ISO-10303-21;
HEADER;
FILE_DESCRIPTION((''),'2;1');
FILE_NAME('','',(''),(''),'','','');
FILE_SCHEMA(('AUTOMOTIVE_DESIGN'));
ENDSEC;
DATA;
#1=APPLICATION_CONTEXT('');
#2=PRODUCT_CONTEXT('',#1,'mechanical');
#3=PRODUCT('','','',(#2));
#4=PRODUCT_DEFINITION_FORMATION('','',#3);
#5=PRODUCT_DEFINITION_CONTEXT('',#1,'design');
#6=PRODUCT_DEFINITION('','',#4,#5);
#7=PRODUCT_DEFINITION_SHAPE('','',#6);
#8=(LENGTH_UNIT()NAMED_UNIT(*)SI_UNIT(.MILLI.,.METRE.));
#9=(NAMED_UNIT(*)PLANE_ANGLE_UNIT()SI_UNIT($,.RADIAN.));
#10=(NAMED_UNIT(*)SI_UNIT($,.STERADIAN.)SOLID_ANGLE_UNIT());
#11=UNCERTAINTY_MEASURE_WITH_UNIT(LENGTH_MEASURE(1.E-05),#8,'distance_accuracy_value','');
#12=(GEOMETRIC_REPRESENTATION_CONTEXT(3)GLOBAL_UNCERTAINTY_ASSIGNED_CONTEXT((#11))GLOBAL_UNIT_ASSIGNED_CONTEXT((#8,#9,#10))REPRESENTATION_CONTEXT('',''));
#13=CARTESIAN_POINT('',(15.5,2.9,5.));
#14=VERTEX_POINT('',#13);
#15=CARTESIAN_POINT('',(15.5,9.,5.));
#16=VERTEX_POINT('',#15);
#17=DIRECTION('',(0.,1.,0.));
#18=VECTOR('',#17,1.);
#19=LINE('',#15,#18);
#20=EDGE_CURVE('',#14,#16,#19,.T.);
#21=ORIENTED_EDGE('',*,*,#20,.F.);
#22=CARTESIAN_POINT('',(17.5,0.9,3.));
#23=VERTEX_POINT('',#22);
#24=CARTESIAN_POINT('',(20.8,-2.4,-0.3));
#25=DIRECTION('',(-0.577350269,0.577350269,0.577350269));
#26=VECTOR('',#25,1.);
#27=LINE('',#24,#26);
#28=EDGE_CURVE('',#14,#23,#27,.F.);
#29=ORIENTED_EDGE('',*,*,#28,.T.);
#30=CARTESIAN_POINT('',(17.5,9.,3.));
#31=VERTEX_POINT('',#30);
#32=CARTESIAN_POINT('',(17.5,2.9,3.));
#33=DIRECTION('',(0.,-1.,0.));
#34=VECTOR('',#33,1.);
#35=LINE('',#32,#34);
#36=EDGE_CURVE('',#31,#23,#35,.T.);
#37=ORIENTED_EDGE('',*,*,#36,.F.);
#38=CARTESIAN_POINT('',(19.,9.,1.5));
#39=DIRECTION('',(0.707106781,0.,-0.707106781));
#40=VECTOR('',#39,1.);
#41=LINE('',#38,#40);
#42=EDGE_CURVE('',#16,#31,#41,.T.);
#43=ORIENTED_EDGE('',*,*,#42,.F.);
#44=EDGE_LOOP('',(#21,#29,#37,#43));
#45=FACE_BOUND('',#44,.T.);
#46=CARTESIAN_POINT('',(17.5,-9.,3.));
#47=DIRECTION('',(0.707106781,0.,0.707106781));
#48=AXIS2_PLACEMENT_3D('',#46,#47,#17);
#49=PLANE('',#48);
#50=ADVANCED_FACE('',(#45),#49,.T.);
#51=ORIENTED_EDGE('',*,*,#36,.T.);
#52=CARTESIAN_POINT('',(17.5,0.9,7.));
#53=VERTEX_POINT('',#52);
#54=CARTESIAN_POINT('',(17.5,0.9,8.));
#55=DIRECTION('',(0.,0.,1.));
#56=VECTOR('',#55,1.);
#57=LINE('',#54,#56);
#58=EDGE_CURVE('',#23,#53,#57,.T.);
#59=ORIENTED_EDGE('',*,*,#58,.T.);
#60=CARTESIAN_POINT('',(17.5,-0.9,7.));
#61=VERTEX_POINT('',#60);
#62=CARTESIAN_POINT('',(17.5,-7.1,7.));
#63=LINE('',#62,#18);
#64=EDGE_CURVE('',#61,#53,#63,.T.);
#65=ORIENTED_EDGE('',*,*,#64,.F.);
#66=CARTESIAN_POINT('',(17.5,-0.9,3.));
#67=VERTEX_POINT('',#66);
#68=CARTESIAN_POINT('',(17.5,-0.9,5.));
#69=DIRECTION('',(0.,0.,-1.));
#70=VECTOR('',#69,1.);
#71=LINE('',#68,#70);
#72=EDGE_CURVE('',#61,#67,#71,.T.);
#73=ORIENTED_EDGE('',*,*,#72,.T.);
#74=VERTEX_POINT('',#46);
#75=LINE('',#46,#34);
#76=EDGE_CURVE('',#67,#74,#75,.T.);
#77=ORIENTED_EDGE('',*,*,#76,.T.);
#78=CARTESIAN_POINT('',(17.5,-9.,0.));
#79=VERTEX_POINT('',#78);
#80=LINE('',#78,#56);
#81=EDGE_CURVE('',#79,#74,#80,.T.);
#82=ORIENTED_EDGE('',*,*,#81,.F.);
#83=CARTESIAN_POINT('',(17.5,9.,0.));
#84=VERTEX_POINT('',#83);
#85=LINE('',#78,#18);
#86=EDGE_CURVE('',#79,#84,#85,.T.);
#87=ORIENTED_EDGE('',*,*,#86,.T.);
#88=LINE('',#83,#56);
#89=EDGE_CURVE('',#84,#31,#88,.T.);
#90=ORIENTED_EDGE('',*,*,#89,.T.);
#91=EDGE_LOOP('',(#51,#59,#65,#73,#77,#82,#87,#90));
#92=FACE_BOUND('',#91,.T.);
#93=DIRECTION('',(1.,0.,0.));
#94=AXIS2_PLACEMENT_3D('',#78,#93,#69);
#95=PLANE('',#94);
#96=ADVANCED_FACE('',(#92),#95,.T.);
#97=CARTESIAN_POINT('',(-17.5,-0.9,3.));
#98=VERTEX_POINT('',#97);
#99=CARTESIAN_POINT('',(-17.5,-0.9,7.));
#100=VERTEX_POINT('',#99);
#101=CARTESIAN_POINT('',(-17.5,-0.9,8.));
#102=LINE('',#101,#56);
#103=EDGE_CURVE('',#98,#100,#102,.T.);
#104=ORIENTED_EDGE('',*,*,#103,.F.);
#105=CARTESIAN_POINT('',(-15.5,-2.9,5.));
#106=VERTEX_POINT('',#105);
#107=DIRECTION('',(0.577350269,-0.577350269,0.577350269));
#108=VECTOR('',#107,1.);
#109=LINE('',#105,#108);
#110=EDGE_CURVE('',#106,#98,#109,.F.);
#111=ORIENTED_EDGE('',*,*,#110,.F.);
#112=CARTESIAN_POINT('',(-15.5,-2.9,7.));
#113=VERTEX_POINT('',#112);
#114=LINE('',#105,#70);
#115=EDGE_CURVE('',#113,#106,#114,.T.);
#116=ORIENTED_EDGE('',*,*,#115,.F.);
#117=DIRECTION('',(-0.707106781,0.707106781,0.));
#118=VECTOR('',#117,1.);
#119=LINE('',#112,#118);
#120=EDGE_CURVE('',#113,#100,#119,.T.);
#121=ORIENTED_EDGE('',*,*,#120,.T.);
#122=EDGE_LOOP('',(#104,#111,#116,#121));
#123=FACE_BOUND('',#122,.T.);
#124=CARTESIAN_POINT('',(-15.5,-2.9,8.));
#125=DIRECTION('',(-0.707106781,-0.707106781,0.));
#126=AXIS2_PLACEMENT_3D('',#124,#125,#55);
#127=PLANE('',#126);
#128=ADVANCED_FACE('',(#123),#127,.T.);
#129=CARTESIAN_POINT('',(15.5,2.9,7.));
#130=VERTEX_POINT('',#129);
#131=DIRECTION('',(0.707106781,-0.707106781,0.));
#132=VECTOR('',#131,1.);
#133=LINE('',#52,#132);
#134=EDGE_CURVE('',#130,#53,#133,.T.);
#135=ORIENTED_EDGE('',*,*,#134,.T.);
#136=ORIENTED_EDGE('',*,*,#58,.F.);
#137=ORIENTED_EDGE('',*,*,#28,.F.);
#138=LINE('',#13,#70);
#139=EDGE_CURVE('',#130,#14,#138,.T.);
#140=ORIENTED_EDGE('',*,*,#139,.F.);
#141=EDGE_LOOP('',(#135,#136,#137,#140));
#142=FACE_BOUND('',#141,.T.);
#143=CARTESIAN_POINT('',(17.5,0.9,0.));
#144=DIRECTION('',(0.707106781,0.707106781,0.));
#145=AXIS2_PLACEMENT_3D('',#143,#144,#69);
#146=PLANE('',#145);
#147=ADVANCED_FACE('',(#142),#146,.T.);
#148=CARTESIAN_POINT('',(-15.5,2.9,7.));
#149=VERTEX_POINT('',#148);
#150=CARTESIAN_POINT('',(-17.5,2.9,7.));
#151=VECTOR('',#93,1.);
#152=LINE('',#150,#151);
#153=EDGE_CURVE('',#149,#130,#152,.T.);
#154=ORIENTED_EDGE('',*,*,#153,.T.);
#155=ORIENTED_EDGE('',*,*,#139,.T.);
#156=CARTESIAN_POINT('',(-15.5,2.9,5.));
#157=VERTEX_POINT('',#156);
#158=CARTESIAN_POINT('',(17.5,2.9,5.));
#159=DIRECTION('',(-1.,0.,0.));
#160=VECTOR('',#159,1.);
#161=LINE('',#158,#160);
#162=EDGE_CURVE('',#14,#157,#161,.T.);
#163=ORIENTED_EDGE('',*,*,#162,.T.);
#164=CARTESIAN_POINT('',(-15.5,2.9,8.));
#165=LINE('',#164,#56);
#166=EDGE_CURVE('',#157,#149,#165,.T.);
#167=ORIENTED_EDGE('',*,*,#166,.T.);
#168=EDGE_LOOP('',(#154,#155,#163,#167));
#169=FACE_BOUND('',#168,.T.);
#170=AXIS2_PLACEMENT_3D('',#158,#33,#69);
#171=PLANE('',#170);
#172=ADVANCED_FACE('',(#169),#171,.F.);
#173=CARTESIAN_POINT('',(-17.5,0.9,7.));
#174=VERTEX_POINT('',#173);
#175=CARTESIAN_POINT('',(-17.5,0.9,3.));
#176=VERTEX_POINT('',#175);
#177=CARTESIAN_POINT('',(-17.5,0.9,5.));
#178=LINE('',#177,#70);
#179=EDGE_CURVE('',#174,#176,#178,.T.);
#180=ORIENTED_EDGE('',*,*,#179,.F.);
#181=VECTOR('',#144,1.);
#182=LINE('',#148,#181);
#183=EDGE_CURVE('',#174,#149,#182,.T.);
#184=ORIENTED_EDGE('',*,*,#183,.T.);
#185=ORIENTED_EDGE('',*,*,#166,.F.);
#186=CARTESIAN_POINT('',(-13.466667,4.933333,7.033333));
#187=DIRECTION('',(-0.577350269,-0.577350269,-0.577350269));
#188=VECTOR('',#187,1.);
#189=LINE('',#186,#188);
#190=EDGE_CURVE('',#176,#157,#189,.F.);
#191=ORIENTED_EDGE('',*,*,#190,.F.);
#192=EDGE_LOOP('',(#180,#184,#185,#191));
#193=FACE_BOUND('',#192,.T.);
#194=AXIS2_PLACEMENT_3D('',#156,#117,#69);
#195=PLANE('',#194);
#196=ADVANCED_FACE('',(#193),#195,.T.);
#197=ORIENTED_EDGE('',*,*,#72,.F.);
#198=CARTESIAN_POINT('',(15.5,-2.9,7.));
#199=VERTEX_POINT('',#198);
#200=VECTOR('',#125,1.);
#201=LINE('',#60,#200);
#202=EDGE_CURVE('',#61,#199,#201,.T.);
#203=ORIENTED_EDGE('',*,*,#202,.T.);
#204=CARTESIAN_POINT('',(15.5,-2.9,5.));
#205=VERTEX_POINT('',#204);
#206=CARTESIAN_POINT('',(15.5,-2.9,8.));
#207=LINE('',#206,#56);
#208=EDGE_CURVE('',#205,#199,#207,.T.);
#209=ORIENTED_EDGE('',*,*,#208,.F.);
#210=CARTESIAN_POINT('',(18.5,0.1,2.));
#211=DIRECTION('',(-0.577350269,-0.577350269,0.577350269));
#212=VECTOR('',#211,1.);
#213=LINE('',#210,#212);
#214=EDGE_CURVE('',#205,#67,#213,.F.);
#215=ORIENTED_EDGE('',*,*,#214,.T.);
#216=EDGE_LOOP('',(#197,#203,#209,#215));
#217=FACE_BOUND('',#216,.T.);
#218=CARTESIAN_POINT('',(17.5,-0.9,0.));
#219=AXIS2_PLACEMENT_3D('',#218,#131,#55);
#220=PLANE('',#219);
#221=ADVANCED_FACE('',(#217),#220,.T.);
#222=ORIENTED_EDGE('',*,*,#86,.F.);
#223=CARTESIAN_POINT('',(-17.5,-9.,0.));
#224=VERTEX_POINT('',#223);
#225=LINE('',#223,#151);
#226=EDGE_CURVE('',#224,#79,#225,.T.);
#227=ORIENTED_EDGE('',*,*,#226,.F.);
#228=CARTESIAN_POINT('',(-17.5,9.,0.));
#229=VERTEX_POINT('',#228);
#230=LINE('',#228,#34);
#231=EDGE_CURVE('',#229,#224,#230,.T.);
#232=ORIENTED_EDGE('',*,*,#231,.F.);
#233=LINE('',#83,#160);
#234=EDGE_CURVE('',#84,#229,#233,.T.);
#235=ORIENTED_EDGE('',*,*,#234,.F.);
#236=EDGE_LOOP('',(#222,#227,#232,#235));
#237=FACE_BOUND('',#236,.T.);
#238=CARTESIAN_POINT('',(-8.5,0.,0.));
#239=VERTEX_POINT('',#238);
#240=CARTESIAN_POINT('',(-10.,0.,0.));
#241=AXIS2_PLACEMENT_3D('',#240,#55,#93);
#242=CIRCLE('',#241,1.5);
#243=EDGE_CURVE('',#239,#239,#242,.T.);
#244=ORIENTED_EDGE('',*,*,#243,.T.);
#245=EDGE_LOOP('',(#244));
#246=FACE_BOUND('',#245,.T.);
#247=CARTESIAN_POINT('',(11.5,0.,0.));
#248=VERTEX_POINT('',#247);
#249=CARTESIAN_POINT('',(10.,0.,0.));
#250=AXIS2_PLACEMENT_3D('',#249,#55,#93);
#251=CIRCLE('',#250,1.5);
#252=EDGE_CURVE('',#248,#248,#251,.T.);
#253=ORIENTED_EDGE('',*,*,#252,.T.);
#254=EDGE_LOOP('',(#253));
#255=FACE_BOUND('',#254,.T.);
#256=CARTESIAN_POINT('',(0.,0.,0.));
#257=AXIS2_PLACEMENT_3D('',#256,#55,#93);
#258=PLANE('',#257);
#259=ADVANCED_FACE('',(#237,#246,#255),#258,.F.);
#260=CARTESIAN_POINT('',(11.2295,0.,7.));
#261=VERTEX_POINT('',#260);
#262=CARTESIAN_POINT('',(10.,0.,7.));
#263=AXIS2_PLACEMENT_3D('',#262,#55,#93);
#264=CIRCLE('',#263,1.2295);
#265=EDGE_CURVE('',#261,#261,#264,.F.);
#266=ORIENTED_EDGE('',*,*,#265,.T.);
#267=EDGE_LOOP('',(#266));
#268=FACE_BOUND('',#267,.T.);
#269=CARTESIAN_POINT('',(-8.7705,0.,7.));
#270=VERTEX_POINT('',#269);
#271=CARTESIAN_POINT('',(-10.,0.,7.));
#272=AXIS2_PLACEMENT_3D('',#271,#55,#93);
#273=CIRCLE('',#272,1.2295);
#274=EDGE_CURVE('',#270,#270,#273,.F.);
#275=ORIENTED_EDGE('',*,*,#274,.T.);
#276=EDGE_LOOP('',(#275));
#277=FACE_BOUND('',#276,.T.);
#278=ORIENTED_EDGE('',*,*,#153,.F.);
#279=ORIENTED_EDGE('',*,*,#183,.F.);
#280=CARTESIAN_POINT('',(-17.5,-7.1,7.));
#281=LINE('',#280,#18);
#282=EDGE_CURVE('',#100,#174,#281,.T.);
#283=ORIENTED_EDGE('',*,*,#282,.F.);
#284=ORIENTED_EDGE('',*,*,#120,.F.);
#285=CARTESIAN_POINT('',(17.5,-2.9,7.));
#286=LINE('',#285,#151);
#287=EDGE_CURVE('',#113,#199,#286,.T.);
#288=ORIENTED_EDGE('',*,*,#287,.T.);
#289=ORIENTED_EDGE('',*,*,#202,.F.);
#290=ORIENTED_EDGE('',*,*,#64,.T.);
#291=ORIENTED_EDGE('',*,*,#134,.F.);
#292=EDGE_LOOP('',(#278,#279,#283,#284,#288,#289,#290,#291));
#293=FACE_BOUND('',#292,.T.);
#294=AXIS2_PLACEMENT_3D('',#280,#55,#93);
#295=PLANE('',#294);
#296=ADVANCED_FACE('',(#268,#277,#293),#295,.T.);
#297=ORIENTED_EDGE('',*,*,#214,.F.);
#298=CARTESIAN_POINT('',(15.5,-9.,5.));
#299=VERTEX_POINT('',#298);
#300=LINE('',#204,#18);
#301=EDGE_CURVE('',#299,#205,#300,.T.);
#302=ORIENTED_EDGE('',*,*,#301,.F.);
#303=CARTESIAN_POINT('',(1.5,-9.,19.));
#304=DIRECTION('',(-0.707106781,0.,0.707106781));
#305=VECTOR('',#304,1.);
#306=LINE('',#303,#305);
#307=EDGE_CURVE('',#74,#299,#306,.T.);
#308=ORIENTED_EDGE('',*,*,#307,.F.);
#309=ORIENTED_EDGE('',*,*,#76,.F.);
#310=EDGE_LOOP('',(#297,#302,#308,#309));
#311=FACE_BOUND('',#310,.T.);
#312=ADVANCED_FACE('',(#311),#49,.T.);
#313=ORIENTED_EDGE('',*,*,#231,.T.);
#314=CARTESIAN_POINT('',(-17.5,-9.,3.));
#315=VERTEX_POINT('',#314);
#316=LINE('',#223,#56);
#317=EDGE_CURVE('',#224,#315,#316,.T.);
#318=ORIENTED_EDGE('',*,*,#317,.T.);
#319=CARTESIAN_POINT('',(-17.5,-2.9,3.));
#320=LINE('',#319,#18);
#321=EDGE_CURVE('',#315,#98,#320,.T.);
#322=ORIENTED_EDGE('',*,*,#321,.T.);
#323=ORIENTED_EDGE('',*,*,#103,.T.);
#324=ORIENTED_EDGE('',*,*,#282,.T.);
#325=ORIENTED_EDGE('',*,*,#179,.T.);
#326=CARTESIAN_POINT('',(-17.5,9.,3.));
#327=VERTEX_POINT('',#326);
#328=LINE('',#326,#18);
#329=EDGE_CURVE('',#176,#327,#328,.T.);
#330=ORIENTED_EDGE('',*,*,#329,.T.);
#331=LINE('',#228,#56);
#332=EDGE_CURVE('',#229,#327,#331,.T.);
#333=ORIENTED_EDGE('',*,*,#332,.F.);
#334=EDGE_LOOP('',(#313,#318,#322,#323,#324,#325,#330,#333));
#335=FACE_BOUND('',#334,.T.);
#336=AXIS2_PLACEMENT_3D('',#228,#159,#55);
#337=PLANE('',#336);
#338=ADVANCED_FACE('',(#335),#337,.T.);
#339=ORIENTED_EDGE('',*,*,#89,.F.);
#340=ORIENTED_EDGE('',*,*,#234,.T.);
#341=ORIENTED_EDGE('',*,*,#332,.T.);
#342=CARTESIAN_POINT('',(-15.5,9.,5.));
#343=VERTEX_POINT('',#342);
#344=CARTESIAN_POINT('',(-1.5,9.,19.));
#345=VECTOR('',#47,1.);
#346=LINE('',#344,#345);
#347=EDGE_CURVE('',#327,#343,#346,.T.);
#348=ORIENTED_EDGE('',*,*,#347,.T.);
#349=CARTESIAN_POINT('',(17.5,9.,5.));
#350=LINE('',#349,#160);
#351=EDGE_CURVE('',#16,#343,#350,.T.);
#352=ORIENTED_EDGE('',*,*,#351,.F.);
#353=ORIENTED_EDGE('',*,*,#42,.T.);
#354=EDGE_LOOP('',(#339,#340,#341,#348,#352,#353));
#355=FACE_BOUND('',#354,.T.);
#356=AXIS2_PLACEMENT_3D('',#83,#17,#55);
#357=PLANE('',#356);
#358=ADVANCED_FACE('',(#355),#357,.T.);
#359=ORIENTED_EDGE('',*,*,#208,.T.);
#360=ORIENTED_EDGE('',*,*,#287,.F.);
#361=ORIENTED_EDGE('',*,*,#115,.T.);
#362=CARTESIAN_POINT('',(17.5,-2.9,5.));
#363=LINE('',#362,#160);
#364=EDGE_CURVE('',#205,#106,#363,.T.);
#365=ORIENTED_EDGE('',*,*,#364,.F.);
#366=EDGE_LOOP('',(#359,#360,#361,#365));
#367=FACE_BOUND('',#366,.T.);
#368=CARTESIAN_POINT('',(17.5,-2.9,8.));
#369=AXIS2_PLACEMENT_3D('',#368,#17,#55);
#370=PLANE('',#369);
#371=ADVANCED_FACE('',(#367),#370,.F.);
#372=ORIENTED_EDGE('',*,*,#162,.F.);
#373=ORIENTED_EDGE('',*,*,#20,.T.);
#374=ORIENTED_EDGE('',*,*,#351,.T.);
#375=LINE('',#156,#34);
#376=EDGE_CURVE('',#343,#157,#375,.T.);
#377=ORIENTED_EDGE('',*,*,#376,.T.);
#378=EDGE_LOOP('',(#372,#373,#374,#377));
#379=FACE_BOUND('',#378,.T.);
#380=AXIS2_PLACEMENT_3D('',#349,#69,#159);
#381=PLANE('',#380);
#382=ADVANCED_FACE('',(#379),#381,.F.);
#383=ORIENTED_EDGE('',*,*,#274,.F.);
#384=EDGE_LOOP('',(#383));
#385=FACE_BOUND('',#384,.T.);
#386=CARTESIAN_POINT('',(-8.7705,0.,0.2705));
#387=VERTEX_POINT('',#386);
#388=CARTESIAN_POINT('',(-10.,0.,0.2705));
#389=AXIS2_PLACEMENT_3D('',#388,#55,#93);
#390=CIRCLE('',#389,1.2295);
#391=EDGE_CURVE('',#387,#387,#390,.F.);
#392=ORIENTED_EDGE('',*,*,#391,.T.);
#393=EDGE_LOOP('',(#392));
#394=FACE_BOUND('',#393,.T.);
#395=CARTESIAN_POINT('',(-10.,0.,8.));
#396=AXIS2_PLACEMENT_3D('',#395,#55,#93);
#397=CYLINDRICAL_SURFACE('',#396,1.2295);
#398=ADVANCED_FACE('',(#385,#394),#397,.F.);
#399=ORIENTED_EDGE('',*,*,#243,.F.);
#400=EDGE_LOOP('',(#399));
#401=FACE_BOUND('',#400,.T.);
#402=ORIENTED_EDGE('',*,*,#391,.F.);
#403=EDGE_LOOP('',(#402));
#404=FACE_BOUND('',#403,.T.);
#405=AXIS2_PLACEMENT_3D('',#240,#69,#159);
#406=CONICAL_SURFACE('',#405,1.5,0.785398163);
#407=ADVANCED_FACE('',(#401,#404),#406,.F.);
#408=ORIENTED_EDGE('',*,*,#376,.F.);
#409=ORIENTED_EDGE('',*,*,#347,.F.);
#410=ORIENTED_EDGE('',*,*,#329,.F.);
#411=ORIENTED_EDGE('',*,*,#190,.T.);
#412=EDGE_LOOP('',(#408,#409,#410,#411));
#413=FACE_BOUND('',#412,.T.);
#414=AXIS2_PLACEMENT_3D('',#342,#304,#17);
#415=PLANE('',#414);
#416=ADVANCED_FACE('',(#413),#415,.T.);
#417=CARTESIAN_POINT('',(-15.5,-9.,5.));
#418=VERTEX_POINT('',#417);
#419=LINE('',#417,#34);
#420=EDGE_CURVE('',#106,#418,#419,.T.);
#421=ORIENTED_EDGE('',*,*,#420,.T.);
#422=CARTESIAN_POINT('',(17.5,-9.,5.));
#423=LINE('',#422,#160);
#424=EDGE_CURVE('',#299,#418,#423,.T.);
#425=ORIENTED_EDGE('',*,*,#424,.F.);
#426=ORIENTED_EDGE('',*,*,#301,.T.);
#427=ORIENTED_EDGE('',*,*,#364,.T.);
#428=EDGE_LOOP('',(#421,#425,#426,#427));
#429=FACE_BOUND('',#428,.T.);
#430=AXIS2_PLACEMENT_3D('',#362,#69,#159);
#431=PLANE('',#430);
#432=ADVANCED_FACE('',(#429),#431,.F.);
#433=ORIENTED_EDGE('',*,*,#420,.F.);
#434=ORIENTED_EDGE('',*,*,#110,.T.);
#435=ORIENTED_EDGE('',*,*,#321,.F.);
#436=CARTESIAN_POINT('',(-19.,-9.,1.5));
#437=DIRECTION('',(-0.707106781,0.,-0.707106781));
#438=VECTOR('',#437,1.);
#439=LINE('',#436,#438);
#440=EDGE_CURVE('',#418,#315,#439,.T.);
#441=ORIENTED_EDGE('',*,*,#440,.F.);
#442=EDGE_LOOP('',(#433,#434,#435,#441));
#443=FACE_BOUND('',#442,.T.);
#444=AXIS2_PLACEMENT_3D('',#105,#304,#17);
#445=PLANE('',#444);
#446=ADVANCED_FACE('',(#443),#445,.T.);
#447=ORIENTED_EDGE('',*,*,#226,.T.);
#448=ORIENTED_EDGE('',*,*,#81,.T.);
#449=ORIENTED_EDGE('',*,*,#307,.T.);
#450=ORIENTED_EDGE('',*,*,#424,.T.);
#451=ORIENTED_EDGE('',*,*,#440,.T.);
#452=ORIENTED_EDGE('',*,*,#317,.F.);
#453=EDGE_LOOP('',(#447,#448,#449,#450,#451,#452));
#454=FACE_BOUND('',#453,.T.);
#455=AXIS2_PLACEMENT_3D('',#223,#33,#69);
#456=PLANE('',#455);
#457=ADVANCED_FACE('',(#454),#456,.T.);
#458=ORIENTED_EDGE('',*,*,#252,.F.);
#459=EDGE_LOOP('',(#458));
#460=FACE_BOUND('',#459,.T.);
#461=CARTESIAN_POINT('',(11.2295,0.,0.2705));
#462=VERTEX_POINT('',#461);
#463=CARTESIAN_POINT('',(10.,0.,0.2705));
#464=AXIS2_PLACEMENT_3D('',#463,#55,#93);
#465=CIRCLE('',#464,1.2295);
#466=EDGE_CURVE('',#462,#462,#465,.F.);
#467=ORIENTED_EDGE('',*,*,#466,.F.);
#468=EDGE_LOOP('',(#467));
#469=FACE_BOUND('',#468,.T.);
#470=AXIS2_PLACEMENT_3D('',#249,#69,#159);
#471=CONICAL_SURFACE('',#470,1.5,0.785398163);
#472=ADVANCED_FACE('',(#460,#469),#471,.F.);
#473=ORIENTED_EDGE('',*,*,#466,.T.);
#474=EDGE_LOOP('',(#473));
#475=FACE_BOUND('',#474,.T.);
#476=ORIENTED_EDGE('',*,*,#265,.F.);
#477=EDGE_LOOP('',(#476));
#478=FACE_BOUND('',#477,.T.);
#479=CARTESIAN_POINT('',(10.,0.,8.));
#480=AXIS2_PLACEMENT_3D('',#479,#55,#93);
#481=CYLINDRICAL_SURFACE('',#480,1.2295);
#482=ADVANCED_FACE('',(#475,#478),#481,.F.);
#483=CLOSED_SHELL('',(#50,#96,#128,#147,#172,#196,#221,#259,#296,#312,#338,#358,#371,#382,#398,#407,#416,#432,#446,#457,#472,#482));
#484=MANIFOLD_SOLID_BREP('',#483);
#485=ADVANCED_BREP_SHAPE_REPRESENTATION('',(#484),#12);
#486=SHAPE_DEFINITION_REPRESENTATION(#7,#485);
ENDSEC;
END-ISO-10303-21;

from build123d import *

# Parameters (mm, degrees)
SKETCH1_W                = 35
SKETCH1_H                = 18
BOSS_EXTRUDE1_DEPTH      = 8
SKETCH2_W                = 3
SKETCH2_H                = 6.1
CUT_EXTRUDE1_DEPTH       = 36
SKETCH3_W                = 3
SKETCH3_H                = 6.1
CUT_EXTRUDE2_DEPTH       = 36
M2_CLEARANCE_HOLE1_D     = 2.459
M2_CLEARANCE_HOLE1_DEPTH = 8
CHAMFER1_SIZE            = 0.2705
CHAMFER2_SIZE            = 2
SKETCH6_W                = 35
SKETCH6_H                = 1
CUT_EXTRUDE4_DEPTH       = 10


with BuildPart() as part:
    # Sketch1 → Boss-Extrude1 (new body)
    with BuildSketch(Plane.XY.offset(8)):
        Rectangle(SKETCH1_W, SKETCH1_H)
    extrude(amount=-BOSS_EXTRUDE1_DEPTH)

    # Sketch2 → Cut-Extrude1 (cut, through all)
    with BuildSketch(Plane.ZY.offset(17.5)):
        with Locations((6.5, 5.95)):
            Rectangle(SKETCH2_W, SKETCH2_H)
    extrude(amount=-CUT_EXTRUDE1_DEPTH, mode=Mode.SUBTRACT)

    # Sketch3 → Cut-Extrude2 (cut, through all)
    with BuildSketch(Plane.ZY.offset(17.5)):
        with Locations((6.5, -5.95)):
            Rectangle(SKETCH3_W, SKETCH3_H)
    extrude(amount=-CUT_EXTRUDE2_DEPTH, mode=Mode.SUBTRACT)

    # M2 Clearance Hole1
    with Locations(Plane.XY.offset(8)):
        with Locations((-10, 0), (10, 0)):
            Hole(M2_CLEARANCE_HOLE1_D / 2, depth=M2_CLEARANCE_HOLE1_DEPTH)

    # Chamfer1
    chamfer1_edges = [part.edges().sort_by_distance(p)[0] for p in [
        (11.2295, 0, 8),
        (11.2295, 0, 0),
        (-8.7705, 0, 8),
        (-8.7705, 0, 0),
    ]]
    chamfer(chamfer1_edges, length=CHAMFER1_SIZE)

    # Chamfer2
    chamfer2_edges = [part.edges().sort_by_distance(p)[0] for p in [
        (17.5, 5.95, 5),
        (17.5, 2.9, 6.5),
        (-17.5, 5.95, 5),
        (-17.5, 2.9, 6.5),
        (17.5, -5.95, 5),
        (17.5, -2.9, 6.5),
        (-17.5, -2.9, 6.5),
        (-17.5, -5.95, 5),
    ]]
    chamfer(chamfer2_edges, length=CHAMFER2_SIZE)

    # Sketch6 → Cut-Extrude4 (cut)
    with BuildSketch(Plane(origin=(0, 2.9, 0), x_dir=(1, 0, 0), z_dir=(0, 1, 0))):
        with Locations((0, -7.5)):
            Rectangle(SKETCH6_W, SKETCH6_H)
    extrude(amount=-CUT_EXTRUDE4_DEPTH, mode=Mode.SUBTRACT)


solid = part.part
